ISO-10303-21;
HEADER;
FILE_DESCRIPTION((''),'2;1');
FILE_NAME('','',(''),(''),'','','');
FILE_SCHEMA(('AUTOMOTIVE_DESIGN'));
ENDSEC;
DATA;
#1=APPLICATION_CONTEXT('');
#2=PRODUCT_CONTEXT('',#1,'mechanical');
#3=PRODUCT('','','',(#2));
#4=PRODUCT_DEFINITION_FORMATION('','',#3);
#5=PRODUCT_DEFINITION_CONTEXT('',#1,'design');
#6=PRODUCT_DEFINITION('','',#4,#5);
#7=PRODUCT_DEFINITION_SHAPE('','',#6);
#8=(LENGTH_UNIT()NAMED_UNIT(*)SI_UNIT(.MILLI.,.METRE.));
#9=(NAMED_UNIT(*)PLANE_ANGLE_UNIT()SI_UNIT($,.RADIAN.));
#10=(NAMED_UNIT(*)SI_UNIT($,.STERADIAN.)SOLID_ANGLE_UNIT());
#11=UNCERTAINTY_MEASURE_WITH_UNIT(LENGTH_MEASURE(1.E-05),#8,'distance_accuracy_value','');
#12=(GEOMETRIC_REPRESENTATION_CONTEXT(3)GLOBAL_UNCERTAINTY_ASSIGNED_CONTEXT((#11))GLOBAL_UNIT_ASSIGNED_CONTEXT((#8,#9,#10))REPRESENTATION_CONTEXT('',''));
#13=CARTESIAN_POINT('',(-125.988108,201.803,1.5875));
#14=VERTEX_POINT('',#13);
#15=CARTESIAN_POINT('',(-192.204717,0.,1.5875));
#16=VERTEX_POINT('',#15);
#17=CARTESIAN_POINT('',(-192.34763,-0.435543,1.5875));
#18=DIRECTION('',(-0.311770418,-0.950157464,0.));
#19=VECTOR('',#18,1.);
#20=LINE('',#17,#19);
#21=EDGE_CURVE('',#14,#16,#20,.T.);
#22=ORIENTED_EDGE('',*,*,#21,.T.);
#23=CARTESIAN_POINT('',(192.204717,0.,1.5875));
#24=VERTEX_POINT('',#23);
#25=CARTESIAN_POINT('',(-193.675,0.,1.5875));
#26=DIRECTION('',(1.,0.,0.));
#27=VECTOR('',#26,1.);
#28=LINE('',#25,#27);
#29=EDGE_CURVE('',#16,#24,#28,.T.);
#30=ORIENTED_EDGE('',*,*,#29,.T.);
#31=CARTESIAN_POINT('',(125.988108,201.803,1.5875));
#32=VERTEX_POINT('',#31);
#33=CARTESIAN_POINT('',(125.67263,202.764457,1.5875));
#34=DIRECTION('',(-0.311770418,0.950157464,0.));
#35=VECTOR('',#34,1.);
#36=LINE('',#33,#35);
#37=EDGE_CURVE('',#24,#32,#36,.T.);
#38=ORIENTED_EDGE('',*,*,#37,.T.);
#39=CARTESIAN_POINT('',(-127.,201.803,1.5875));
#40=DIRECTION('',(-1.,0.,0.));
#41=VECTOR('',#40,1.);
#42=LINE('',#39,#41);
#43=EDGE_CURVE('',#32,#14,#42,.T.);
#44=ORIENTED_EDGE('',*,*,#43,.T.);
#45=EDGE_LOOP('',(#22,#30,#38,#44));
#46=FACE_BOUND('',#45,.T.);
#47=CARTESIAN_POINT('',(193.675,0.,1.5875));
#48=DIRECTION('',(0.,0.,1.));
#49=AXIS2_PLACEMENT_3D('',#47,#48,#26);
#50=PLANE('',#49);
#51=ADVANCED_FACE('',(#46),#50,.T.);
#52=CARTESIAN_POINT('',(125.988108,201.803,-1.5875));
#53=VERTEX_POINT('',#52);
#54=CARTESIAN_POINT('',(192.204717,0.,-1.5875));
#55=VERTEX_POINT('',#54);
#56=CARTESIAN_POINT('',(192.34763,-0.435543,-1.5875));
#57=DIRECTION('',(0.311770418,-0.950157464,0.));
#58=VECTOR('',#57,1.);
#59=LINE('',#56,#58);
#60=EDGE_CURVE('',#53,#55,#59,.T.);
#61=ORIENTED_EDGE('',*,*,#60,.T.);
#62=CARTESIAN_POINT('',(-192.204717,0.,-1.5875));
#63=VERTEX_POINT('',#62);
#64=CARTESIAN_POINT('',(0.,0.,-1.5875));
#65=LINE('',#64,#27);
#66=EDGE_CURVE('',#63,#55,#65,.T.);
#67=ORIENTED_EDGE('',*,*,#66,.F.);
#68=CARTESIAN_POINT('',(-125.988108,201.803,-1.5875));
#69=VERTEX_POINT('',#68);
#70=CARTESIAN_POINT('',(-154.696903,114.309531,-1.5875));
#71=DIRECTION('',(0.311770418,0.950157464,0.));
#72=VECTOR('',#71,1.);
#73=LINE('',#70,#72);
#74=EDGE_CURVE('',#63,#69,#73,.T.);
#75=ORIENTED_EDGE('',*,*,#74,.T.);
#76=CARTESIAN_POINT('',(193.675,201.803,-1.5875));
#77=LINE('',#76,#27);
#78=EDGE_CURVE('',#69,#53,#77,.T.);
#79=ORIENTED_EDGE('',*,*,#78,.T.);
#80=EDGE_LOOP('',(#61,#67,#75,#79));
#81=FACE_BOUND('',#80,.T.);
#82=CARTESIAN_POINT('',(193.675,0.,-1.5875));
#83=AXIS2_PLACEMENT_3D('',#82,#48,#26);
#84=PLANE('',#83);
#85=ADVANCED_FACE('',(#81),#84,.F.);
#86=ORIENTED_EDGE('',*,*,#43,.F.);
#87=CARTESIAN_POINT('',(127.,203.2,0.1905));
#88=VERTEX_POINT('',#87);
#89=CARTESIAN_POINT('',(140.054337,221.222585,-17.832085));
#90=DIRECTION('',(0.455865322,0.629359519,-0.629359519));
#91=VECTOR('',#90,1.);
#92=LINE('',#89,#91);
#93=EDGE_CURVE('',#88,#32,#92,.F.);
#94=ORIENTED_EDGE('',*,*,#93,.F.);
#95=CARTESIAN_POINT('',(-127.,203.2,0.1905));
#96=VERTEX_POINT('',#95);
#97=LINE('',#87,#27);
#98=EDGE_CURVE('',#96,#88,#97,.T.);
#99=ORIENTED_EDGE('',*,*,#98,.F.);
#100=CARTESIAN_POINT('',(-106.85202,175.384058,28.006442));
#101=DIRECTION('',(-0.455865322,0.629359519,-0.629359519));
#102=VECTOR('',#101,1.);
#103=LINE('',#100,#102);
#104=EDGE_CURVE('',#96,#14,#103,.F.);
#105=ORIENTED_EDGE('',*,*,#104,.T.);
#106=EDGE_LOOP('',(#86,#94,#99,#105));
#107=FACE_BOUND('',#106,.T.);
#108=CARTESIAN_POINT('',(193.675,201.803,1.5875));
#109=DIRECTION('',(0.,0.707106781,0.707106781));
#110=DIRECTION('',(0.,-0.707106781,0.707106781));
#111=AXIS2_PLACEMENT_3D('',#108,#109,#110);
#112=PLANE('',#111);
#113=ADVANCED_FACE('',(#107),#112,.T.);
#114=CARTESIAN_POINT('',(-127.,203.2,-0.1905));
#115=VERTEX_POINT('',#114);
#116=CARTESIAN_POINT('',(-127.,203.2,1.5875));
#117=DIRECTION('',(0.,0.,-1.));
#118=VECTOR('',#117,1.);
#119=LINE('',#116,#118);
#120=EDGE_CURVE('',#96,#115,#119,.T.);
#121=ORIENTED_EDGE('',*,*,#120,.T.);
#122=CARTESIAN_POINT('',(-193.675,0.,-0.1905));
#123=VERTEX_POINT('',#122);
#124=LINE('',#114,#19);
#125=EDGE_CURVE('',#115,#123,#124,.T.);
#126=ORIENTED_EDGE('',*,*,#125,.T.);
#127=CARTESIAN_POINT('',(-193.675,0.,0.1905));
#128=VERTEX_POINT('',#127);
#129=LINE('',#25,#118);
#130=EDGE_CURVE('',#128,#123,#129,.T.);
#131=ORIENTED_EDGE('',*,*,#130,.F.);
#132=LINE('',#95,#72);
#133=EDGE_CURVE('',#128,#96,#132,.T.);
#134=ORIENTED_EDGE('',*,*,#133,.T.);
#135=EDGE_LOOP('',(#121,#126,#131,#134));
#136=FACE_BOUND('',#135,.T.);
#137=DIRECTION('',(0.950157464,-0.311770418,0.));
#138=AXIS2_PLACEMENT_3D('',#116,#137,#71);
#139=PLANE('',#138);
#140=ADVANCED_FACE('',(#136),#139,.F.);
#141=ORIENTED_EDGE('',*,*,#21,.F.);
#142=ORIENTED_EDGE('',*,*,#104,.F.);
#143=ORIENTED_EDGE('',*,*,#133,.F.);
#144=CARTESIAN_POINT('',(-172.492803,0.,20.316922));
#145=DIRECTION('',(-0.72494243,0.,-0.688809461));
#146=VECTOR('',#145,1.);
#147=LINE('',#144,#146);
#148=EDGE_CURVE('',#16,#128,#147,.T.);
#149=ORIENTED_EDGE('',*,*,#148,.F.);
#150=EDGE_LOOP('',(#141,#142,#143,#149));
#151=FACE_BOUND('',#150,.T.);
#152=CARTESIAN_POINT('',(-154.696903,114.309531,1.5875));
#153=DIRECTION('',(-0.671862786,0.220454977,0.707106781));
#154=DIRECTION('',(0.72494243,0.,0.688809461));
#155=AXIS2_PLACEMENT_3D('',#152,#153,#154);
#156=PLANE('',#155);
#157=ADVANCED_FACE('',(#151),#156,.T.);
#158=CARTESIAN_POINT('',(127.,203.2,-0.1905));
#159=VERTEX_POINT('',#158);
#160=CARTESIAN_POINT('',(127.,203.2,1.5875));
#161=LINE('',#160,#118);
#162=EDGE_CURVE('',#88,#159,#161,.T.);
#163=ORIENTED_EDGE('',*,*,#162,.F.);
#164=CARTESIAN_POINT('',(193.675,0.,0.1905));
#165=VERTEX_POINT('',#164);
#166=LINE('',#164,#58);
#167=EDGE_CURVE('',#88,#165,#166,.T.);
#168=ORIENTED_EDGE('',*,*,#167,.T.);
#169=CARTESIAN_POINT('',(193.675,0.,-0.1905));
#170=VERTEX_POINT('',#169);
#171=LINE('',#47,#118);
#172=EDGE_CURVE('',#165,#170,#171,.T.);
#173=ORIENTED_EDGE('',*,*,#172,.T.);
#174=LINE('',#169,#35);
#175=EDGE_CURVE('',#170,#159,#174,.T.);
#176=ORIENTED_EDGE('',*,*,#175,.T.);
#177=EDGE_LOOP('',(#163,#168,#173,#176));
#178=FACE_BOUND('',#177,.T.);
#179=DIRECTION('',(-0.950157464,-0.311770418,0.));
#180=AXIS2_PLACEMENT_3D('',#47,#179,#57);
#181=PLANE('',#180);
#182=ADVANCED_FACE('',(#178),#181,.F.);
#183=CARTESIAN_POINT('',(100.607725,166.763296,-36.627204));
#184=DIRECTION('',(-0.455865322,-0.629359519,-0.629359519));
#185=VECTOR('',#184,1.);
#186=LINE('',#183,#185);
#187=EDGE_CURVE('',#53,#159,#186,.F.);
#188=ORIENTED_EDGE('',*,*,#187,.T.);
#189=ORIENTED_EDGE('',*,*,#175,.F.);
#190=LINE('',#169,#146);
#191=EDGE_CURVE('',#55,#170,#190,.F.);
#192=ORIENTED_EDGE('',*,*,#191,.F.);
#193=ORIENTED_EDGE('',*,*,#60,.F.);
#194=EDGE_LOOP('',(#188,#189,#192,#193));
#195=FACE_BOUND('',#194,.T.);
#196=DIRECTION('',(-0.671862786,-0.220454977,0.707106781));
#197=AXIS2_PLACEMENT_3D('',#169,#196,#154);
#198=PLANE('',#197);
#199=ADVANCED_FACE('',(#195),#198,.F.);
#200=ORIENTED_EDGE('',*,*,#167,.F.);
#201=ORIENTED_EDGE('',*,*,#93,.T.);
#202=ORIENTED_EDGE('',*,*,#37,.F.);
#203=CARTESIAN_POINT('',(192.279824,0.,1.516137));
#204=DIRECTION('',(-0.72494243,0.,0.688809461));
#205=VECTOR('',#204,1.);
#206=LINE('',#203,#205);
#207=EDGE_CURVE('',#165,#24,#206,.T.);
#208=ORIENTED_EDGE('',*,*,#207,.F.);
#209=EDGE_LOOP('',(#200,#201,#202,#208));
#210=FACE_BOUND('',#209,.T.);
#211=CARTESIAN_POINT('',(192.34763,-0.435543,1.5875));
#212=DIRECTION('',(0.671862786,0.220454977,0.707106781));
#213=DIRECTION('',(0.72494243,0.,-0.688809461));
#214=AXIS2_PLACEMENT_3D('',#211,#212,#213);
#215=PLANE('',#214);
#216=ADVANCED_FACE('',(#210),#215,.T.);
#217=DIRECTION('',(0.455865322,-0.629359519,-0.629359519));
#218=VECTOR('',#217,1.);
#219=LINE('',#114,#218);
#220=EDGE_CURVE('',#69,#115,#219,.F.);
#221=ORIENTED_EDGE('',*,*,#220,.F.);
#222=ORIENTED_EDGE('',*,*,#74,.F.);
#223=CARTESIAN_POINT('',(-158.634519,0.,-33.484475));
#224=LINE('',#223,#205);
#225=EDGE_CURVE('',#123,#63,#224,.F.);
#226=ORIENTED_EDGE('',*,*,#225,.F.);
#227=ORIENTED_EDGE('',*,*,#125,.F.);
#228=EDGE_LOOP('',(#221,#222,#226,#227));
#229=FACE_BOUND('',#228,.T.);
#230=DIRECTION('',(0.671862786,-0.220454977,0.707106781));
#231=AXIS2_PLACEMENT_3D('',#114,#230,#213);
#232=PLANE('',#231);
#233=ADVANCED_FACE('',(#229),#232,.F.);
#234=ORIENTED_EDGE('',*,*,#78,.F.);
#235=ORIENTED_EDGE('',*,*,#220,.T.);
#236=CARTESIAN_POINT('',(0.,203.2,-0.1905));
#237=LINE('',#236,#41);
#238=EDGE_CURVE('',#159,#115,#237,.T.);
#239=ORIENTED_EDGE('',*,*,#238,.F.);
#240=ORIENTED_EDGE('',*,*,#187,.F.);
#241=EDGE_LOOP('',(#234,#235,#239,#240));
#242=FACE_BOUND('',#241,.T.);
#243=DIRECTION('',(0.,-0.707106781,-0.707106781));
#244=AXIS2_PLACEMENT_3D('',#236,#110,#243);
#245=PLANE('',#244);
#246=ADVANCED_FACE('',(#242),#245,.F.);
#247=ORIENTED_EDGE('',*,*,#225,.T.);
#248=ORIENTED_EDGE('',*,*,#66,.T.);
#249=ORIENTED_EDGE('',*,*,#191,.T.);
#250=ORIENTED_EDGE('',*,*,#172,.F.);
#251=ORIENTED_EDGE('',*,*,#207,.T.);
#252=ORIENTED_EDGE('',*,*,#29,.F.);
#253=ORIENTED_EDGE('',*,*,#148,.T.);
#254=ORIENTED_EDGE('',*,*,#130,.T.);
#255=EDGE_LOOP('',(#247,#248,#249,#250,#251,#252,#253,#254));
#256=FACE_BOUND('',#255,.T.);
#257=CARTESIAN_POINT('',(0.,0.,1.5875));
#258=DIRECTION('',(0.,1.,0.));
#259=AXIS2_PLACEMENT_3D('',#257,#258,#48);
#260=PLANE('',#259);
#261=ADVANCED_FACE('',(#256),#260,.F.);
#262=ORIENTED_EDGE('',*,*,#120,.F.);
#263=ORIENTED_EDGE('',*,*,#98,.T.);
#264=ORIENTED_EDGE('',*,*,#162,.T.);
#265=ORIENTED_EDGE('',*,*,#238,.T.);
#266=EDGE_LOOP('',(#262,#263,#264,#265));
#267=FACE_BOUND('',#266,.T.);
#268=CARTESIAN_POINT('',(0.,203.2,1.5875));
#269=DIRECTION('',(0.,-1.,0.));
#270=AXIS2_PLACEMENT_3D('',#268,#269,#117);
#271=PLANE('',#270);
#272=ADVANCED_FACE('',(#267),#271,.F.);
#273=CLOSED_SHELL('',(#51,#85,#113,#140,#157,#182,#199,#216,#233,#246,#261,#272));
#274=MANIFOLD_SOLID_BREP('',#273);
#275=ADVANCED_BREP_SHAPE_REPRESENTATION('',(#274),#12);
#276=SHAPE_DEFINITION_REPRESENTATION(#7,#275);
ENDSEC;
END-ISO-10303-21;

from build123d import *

# Parameters (mm, degrees)
EXTRUDE1_DEPTH = 1.5875
CHAMFER1_SIZE  = 1.397


with BuildPart() as part:
    # Sketch1 → Extrude1 (new, symmetric)
    with BuildSketch(Plane.XY):
        Polygon((0, 0), (193.675, 0), (127, 203.2), (0, 203.2), (-127, 203.2), (-193.675, 0), align=None)
    extrude(amount=EXTRUDE1_DEPTH, both=True)

    # Chamfer1
    chamfer1_edges = [part.edges().sort_by_distance(p)[0] for p in [
        (160.3375, 101.6, 1.5875),
        (0, 203.2, 1.5875),
        (-160.3375, 101.6, 1.5875),
        (-160.3375, 101.6, -1.5875),
        (0, 203.2, -1.5875),
        (160.3375, 101.6, -1.5875),
    ]]
    chamfer(chamfer1_edges, length=CHAMFER1_SIZE)


solid = part.part
